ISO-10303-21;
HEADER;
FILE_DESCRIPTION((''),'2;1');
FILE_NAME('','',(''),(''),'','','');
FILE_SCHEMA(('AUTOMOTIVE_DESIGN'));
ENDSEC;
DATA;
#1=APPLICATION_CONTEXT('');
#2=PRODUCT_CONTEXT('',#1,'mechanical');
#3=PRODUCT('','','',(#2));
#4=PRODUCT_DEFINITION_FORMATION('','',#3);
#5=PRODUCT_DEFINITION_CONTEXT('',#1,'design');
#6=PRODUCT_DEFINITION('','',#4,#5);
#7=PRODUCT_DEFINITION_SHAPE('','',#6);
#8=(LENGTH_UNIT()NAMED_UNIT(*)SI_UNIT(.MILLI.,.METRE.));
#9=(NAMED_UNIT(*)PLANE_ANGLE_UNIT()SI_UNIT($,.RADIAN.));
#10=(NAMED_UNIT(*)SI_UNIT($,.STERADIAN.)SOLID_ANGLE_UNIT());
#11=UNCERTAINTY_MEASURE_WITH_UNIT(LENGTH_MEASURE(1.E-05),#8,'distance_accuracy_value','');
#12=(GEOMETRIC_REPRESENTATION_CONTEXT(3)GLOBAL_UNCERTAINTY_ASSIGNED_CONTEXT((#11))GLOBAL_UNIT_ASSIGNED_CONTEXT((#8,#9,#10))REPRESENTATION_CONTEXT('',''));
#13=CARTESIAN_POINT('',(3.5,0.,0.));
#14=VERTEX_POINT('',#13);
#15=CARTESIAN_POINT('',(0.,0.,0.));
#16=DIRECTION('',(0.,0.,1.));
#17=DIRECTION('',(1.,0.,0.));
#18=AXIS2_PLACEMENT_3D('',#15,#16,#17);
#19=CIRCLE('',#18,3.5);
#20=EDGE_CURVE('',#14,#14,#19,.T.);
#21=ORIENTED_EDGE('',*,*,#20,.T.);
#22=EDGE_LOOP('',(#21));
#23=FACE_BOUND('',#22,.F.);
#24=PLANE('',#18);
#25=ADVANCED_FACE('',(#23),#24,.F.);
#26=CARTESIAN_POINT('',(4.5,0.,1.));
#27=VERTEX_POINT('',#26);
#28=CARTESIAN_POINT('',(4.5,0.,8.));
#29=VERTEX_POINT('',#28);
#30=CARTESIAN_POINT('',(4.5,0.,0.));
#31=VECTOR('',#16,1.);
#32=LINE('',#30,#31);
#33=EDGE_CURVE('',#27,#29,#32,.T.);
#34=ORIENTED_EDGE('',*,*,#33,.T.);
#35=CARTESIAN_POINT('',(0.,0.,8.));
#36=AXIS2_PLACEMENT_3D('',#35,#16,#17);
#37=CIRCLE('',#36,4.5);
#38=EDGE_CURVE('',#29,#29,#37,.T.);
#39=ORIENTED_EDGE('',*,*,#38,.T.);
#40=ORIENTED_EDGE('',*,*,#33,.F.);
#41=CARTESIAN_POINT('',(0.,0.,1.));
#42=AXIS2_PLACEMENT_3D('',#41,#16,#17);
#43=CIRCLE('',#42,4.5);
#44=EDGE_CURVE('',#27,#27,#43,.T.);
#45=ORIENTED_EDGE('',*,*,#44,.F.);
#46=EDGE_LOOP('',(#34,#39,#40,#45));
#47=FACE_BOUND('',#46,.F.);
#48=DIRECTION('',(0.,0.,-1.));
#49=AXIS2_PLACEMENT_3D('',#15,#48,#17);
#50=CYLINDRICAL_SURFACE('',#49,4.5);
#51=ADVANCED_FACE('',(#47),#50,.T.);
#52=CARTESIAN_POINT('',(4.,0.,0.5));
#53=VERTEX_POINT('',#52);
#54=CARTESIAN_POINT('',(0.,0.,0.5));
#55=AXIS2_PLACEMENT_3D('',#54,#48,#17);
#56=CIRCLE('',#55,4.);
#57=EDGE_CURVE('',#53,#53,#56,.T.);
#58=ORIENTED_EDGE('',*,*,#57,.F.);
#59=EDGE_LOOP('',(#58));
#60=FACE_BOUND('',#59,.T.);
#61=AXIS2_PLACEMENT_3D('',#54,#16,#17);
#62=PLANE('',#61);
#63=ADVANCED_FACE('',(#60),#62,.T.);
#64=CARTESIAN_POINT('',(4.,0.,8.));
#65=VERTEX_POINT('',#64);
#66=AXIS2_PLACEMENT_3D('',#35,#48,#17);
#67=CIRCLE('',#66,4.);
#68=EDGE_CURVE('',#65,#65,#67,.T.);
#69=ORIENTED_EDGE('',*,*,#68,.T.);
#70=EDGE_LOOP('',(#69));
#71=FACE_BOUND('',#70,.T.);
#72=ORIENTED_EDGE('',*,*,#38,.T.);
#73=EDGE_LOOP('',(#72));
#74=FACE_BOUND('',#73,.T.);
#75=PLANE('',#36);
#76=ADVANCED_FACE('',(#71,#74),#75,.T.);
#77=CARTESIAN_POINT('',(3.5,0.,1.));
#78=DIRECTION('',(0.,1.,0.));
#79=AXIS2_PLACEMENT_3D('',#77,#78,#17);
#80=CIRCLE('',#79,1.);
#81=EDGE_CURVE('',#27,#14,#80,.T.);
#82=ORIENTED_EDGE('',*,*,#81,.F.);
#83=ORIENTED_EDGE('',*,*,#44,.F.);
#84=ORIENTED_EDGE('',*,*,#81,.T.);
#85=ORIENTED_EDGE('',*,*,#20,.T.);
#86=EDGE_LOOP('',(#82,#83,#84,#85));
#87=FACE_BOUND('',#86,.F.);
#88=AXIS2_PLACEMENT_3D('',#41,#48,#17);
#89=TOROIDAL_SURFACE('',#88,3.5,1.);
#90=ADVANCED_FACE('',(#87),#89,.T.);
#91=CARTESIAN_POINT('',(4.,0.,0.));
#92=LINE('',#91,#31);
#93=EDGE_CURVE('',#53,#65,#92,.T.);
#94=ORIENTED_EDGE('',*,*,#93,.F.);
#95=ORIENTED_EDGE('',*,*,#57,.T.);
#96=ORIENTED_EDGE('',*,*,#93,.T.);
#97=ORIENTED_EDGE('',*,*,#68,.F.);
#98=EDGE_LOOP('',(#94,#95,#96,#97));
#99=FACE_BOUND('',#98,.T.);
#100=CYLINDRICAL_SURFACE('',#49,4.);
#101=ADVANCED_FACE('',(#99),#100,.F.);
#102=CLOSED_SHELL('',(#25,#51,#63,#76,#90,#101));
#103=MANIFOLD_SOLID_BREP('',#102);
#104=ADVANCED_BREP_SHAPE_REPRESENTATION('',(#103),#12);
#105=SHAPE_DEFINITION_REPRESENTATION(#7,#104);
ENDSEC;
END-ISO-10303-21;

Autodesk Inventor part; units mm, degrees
ref_plane "YZ Plane" through (0, 0, 0) normal (1, 0, 0) x (0, 1, 0)
ref_plane "XZ Plane" through (0, 0, 0) normal (0, 1, 0) x (-1, 0, 0)
ref_plane "XY Plane" through (0, 0, 0) normal (0, 0, 1) x (1, 0, 0)
sketch "Szkic1" plane through (0, 0, 0) normal (0, 0, 1) x (1, 0, 0)
  circle A0 centre (0, 0) radius 4.5
  dimension "d0" = 9
extrude "Wyciągnięcie proste1" add sketch "Szkic1" along normal blind 8
shell "Skorupa1" thickness 0.5 removed faces 1 at (0.1808, 1.316, 8)
thread "Gwint1" size "M8x0.8" class "6H" standard "ANSI Metric M Profile" full length
fillet "Zaokrąglenie1" radius 1 1 edges at (-4.5, 0, 0)
properties part number "Nakrętka_wentyla" material "Aluminium AW-7020"
